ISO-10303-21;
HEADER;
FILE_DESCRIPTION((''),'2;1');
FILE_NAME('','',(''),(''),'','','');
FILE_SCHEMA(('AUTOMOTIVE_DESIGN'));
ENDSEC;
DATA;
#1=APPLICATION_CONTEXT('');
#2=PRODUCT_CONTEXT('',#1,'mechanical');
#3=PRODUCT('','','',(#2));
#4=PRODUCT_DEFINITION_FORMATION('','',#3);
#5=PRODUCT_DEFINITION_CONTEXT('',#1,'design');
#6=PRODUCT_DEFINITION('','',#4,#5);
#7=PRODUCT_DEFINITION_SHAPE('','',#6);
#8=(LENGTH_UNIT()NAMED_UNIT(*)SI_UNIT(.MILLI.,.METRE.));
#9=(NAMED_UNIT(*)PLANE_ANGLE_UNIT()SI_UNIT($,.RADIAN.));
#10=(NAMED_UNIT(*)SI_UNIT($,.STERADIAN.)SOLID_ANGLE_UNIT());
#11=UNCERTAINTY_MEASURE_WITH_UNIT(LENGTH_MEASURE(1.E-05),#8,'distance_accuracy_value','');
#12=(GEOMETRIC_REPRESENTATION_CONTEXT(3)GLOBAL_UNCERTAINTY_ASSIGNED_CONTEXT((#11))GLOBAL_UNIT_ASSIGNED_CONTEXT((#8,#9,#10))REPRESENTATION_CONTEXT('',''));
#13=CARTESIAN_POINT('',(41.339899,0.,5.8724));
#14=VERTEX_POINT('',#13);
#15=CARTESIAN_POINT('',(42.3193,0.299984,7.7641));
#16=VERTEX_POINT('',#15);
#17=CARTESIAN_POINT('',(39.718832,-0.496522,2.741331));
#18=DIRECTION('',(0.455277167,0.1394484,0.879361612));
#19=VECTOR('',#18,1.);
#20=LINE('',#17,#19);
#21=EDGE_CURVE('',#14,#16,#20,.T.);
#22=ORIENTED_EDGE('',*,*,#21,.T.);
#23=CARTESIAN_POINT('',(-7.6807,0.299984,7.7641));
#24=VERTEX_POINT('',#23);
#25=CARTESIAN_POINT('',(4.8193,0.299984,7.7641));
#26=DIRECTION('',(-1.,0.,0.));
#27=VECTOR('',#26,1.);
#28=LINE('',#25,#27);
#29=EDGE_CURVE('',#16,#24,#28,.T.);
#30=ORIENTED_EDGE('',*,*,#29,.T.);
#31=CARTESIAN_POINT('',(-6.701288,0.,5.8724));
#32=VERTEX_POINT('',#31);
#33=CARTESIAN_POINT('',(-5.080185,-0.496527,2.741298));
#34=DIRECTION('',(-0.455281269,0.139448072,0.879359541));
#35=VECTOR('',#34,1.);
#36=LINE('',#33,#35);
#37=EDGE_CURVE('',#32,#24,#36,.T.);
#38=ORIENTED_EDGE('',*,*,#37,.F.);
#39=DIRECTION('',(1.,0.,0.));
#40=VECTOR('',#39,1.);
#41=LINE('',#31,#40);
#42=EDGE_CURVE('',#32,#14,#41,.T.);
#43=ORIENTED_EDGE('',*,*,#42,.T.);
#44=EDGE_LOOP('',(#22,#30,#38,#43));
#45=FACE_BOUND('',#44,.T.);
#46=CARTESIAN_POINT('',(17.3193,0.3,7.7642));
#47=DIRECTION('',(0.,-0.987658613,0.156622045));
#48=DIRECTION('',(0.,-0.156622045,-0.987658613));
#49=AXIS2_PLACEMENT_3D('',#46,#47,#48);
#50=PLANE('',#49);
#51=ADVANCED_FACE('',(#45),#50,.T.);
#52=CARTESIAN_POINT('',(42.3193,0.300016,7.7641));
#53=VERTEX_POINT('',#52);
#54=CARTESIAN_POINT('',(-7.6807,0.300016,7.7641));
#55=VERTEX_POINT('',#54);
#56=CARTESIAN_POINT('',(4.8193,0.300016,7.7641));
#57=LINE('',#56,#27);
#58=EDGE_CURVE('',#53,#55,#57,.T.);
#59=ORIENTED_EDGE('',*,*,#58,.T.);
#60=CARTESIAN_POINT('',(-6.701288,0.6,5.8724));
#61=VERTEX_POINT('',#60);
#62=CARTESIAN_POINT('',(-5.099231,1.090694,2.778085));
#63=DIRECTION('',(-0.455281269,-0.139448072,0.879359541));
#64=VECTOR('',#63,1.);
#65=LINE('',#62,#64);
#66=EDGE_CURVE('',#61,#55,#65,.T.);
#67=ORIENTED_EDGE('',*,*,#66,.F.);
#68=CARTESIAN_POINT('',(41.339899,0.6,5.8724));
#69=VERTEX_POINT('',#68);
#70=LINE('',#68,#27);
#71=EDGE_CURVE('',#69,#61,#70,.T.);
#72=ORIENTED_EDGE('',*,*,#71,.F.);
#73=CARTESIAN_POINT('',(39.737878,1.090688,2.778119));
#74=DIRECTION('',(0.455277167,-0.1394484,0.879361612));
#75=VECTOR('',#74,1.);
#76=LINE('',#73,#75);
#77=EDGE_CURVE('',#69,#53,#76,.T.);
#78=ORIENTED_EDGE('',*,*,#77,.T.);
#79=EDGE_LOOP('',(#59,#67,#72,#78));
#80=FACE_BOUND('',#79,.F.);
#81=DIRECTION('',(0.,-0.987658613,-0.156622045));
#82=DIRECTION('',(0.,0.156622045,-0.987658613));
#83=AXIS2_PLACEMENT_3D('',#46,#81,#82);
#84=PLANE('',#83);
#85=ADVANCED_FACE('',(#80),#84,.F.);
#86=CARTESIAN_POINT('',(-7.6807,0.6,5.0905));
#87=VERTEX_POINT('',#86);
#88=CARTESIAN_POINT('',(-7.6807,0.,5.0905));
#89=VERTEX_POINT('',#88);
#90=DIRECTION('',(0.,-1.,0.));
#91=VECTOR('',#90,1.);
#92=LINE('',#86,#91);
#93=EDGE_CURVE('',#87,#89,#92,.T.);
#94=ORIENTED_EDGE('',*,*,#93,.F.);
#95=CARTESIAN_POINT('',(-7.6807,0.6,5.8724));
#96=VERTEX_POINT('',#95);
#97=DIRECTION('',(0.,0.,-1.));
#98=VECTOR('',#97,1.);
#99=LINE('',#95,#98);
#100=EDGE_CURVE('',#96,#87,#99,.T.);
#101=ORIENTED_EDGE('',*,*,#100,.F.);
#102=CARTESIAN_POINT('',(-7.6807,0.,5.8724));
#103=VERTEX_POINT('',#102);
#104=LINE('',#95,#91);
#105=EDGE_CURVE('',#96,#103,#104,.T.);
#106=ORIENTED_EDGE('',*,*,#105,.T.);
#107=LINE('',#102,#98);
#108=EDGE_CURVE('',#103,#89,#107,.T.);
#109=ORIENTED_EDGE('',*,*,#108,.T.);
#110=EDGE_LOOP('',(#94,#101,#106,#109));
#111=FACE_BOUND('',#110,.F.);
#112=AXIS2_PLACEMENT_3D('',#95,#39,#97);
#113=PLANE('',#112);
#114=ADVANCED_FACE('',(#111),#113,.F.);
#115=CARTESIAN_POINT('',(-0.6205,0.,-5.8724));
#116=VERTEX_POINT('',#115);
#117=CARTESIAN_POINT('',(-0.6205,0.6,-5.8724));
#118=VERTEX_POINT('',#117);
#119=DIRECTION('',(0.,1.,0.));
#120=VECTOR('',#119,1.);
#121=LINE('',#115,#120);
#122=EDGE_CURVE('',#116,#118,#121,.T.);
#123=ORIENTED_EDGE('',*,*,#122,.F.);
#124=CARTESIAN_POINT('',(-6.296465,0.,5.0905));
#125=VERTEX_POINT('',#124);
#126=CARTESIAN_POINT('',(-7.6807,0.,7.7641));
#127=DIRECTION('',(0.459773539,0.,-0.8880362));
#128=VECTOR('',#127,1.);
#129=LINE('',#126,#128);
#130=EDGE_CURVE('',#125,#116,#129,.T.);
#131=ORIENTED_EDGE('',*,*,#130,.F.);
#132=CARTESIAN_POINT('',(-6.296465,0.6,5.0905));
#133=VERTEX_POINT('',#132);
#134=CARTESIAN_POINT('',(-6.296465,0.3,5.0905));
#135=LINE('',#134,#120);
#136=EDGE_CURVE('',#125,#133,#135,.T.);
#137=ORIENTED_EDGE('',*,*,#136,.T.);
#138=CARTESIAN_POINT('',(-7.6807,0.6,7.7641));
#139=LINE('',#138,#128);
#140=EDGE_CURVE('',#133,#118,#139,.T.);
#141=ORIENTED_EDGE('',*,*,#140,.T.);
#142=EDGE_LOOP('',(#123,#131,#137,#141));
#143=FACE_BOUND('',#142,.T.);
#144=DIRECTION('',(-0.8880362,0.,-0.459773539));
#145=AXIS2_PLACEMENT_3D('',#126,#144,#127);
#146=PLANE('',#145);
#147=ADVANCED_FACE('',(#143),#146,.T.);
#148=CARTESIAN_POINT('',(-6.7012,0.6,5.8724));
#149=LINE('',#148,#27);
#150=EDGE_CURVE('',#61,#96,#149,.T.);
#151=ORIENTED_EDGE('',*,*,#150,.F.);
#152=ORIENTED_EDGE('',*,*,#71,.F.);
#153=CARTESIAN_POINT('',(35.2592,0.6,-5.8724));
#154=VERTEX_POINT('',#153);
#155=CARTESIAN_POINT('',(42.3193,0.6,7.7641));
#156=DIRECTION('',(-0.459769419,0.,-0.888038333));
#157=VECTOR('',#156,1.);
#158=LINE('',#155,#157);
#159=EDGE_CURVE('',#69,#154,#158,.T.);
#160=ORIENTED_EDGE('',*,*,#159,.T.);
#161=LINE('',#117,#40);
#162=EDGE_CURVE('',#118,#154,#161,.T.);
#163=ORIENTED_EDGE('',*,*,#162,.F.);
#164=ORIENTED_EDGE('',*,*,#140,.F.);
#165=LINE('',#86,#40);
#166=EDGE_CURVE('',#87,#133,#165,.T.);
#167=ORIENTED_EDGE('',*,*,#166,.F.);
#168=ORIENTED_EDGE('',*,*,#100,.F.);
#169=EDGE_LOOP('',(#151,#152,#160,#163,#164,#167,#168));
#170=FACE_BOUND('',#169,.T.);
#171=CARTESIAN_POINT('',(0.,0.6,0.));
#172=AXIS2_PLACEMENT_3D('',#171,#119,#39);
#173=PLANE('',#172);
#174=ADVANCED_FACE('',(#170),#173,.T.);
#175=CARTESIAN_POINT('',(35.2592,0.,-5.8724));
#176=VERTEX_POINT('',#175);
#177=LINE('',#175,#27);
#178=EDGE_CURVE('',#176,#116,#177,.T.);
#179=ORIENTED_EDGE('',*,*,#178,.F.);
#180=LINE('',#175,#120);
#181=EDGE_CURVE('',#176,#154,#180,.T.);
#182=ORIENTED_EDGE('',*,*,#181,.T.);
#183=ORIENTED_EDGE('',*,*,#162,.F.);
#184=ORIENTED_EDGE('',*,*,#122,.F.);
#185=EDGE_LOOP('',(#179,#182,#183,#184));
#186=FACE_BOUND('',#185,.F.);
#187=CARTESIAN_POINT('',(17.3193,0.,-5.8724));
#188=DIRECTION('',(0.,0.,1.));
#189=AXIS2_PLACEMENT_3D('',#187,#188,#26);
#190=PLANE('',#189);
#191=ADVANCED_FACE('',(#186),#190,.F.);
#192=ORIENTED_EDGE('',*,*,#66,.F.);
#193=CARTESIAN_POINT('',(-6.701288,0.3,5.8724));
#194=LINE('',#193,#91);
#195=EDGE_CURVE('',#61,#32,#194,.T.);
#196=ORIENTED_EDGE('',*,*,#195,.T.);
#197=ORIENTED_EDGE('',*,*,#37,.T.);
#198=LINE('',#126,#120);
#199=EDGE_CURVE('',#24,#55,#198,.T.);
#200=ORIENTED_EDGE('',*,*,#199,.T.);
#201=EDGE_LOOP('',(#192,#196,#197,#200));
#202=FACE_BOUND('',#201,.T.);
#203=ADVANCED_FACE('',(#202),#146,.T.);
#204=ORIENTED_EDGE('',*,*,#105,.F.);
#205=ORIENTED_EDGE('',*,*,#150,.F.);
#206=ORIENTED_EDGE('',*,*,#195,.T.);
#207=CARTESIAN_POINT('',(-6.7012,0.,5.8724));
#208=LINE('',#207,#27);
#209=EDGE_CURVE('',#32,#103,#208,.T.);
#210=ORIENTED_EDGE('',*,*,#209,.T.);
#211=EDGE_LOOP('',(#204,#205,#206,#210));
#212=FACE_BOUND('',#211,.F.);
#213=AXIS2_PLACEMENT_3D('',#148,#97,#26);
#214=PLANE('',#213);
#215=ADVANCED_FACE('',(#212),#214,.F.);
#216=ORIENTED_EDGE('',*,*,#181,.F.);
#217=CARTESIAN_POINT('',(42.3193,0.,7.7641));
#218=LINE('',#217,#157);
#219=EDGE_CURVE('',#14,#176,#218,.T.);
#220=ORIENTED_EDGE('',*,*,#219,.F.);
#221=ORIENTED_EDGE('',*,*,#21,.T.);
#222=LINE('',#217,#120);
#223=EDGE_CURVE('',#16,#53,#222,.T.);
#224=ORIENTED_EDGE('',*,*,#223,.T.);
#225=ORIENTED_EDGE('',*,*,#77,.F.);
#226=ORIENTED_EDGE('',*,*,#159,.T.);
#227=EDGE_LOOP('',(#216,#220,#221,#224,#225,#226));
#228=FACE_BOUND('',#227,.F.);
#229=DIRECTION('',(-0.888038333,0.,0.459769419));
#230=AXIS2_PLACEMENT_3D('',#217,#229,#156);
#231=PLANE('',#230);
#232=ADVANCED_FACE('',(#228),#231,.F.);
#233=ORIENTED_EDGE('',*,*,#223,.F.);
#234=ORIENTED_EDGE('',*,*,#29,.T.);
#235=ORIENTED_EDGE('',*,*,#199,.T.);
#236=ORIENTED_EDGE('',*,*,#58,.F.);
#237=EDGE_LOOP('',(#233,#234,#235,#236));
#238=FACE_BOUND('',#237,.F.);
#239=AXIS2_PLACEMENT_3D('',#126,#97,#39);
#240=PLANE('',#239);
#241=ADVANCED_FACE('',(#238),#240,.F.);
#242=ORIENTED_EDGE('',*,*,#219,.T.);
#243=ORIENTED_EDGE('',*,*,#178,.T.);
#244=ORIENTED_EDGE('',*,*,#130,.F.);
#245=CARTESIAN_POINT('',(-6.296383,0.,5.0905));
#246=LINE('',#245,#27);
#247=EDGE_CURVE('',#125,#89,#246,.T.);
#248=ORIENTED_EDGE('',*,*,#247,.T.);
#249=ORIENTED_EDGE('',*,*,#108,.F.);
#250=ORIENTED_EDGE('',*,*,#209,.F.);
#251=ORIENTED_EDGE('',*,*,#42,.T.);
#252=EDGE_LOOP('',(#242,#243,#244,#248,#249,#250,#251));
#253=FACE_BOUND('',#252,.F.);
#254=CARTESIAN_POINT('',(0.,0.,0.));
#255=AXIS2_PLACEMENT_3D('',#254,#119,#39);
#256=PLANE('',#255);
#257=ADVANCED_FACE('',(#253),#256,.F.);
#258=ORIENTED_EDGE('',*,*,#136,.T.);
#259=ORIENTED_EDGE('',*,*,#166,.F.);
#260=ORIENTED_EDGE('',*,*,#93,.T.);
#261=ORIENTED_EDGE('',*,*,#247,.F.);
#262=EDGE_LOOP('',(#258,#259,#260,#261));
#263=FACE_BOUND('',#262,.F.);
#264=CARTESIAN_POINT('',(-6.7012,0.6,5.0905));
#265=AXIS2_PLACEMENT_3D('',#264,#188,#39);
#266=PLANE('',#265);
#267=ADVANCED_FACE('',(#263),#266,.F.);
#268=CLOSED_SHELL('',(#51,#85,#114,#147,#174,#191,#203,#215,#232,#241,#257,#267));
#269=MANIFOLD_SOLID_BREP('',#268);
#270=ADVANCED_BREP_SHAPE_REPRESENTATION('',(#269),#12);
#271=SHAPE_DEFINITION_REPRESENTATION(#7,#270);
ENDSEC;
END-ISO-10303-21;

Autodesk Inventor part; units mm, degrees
ref_plane "YZ Plane" through (0, 0, 0) normal (1, 0, 0) x (0, 1, 0)
ref_plane "XZ Plane" through (0, 0, 0) normal (0, 1, 0) x (-1, 0, 0)
ref_plane "XY Plane" through (0, 0, 0) normal (0, 0, 1) x (1, 0, 0)
sketch "Sketch1" plane through (0, 0, 0) normal (0, 1, 0) x (-1, 0, 0)
  line L0 (7.6807, 7.7641) -> (-42.3193, 7.7641)
  line L1 (7.6807, 7.7641) -> (-1.1191, -9.2324)
  line L2 (-17.3193, 7.7641) -> (-17.3193, -12.946)
  line L3 (-42.3193, 7.7641) -> (-33.5196, -9.2324)
  line L4 (-17.3193, -5.8724) -> (0.6205, -5.8724)
  line L5 (-35.2592, -5.8724) -> (-17.3193, -5.8724)
  point P0 (0, 0)
  dimension "d0" = 50
extrude "Extrusion1" add sketch "Sketch1" along normal blind 0.6
ref_plane "Work Plane1" through (17.3193, 0, -40.5229) normal (-1, 0, 0) x (0, 1, 0)
sketch "Sketch2" plane through (17.3193, 0, -40.5229) normal (-1, 0, 0) x (0, 1, 0)
  line L0 (0, -48.2871) -> (0, -34.6505) projected
  line L1 (0, -34.6505) -> (0.6, -34.6505) projected
  line L2 (0.6, -48.2871) -> (0.6, -34.6505) projected
  line L3 (0, -48.2871) -> (0.6, -48.2871) projected
  line L4 (0.3, -48.2871) -> (0.6, -46.3953)
  line L5 (0.6, -34.6505) -> (0.6, -48.2871) projected
  line L6 (0.3, -48.2871) -> (0, -46.3953)
  line L7 (0, -34.6505) -> (0, -48.2871) projected
  point P0 (0, -40.5229)
extrude "Extrusion2" cut sketch "Sketch2" along normal mid plane 50 contours L0 L6 L3 | L4 L2 L3
sketch "Sketch3" plane through (0, 0.6, 0) normal (0, 1, 0) x (1, 0, 0)
  line L0 (-7.6807, -7.7641) -> (-6.7012, -5.8724) projected
  line L1 (42.3193, -7.7641) -> (-7.6807, -7.7641) projected
  line L2 (41.3399, -5.8724) -> (42.3193, -7.7641) projected
  line L3 (-6.7012, -5.8724) -> (41.3399, -5.8724) projected
  line L4 (-0.6205, 5.8724) -> (-6.7012, -5.8724) projected
  line L5 (-6.7012, -5.8724) -> (-7.6807, -5.8724)
  line L6 (-7.6807, -5.8724) -> (-7.6807, -5.0905)
  line L7 (-7.6807, -5.0905) -> (-6.7012, -5.0905)
  line L8 (-6.7012, -5.0905) -> (-6.7012, -5.8724)
  line L9 (-6.7012, -5.8724) -> (41.3399, -5.8724) projected
  line L10 (-7.6807, -5.0905) -> (-5.684, -5.0905)
  line L11 (-5.684, -5.0905) -> (-5.684, -5.8724)
  line L12 (-5.684, -5.8724) -> (-7.6807, -5.8724)
  line L13 (-7.6807, -5.8724) -> (-7.6807, -5.0905)
  point P0 (0, 0)
  point P1 (-6.2964, -5.0905)
extrude "Extrusion3" add sketch "Sketch3" against normal up to surface (0.6 mm away) contours L8 L10 L4 | L5 L6 L7 L8
properties part number "nóż"
